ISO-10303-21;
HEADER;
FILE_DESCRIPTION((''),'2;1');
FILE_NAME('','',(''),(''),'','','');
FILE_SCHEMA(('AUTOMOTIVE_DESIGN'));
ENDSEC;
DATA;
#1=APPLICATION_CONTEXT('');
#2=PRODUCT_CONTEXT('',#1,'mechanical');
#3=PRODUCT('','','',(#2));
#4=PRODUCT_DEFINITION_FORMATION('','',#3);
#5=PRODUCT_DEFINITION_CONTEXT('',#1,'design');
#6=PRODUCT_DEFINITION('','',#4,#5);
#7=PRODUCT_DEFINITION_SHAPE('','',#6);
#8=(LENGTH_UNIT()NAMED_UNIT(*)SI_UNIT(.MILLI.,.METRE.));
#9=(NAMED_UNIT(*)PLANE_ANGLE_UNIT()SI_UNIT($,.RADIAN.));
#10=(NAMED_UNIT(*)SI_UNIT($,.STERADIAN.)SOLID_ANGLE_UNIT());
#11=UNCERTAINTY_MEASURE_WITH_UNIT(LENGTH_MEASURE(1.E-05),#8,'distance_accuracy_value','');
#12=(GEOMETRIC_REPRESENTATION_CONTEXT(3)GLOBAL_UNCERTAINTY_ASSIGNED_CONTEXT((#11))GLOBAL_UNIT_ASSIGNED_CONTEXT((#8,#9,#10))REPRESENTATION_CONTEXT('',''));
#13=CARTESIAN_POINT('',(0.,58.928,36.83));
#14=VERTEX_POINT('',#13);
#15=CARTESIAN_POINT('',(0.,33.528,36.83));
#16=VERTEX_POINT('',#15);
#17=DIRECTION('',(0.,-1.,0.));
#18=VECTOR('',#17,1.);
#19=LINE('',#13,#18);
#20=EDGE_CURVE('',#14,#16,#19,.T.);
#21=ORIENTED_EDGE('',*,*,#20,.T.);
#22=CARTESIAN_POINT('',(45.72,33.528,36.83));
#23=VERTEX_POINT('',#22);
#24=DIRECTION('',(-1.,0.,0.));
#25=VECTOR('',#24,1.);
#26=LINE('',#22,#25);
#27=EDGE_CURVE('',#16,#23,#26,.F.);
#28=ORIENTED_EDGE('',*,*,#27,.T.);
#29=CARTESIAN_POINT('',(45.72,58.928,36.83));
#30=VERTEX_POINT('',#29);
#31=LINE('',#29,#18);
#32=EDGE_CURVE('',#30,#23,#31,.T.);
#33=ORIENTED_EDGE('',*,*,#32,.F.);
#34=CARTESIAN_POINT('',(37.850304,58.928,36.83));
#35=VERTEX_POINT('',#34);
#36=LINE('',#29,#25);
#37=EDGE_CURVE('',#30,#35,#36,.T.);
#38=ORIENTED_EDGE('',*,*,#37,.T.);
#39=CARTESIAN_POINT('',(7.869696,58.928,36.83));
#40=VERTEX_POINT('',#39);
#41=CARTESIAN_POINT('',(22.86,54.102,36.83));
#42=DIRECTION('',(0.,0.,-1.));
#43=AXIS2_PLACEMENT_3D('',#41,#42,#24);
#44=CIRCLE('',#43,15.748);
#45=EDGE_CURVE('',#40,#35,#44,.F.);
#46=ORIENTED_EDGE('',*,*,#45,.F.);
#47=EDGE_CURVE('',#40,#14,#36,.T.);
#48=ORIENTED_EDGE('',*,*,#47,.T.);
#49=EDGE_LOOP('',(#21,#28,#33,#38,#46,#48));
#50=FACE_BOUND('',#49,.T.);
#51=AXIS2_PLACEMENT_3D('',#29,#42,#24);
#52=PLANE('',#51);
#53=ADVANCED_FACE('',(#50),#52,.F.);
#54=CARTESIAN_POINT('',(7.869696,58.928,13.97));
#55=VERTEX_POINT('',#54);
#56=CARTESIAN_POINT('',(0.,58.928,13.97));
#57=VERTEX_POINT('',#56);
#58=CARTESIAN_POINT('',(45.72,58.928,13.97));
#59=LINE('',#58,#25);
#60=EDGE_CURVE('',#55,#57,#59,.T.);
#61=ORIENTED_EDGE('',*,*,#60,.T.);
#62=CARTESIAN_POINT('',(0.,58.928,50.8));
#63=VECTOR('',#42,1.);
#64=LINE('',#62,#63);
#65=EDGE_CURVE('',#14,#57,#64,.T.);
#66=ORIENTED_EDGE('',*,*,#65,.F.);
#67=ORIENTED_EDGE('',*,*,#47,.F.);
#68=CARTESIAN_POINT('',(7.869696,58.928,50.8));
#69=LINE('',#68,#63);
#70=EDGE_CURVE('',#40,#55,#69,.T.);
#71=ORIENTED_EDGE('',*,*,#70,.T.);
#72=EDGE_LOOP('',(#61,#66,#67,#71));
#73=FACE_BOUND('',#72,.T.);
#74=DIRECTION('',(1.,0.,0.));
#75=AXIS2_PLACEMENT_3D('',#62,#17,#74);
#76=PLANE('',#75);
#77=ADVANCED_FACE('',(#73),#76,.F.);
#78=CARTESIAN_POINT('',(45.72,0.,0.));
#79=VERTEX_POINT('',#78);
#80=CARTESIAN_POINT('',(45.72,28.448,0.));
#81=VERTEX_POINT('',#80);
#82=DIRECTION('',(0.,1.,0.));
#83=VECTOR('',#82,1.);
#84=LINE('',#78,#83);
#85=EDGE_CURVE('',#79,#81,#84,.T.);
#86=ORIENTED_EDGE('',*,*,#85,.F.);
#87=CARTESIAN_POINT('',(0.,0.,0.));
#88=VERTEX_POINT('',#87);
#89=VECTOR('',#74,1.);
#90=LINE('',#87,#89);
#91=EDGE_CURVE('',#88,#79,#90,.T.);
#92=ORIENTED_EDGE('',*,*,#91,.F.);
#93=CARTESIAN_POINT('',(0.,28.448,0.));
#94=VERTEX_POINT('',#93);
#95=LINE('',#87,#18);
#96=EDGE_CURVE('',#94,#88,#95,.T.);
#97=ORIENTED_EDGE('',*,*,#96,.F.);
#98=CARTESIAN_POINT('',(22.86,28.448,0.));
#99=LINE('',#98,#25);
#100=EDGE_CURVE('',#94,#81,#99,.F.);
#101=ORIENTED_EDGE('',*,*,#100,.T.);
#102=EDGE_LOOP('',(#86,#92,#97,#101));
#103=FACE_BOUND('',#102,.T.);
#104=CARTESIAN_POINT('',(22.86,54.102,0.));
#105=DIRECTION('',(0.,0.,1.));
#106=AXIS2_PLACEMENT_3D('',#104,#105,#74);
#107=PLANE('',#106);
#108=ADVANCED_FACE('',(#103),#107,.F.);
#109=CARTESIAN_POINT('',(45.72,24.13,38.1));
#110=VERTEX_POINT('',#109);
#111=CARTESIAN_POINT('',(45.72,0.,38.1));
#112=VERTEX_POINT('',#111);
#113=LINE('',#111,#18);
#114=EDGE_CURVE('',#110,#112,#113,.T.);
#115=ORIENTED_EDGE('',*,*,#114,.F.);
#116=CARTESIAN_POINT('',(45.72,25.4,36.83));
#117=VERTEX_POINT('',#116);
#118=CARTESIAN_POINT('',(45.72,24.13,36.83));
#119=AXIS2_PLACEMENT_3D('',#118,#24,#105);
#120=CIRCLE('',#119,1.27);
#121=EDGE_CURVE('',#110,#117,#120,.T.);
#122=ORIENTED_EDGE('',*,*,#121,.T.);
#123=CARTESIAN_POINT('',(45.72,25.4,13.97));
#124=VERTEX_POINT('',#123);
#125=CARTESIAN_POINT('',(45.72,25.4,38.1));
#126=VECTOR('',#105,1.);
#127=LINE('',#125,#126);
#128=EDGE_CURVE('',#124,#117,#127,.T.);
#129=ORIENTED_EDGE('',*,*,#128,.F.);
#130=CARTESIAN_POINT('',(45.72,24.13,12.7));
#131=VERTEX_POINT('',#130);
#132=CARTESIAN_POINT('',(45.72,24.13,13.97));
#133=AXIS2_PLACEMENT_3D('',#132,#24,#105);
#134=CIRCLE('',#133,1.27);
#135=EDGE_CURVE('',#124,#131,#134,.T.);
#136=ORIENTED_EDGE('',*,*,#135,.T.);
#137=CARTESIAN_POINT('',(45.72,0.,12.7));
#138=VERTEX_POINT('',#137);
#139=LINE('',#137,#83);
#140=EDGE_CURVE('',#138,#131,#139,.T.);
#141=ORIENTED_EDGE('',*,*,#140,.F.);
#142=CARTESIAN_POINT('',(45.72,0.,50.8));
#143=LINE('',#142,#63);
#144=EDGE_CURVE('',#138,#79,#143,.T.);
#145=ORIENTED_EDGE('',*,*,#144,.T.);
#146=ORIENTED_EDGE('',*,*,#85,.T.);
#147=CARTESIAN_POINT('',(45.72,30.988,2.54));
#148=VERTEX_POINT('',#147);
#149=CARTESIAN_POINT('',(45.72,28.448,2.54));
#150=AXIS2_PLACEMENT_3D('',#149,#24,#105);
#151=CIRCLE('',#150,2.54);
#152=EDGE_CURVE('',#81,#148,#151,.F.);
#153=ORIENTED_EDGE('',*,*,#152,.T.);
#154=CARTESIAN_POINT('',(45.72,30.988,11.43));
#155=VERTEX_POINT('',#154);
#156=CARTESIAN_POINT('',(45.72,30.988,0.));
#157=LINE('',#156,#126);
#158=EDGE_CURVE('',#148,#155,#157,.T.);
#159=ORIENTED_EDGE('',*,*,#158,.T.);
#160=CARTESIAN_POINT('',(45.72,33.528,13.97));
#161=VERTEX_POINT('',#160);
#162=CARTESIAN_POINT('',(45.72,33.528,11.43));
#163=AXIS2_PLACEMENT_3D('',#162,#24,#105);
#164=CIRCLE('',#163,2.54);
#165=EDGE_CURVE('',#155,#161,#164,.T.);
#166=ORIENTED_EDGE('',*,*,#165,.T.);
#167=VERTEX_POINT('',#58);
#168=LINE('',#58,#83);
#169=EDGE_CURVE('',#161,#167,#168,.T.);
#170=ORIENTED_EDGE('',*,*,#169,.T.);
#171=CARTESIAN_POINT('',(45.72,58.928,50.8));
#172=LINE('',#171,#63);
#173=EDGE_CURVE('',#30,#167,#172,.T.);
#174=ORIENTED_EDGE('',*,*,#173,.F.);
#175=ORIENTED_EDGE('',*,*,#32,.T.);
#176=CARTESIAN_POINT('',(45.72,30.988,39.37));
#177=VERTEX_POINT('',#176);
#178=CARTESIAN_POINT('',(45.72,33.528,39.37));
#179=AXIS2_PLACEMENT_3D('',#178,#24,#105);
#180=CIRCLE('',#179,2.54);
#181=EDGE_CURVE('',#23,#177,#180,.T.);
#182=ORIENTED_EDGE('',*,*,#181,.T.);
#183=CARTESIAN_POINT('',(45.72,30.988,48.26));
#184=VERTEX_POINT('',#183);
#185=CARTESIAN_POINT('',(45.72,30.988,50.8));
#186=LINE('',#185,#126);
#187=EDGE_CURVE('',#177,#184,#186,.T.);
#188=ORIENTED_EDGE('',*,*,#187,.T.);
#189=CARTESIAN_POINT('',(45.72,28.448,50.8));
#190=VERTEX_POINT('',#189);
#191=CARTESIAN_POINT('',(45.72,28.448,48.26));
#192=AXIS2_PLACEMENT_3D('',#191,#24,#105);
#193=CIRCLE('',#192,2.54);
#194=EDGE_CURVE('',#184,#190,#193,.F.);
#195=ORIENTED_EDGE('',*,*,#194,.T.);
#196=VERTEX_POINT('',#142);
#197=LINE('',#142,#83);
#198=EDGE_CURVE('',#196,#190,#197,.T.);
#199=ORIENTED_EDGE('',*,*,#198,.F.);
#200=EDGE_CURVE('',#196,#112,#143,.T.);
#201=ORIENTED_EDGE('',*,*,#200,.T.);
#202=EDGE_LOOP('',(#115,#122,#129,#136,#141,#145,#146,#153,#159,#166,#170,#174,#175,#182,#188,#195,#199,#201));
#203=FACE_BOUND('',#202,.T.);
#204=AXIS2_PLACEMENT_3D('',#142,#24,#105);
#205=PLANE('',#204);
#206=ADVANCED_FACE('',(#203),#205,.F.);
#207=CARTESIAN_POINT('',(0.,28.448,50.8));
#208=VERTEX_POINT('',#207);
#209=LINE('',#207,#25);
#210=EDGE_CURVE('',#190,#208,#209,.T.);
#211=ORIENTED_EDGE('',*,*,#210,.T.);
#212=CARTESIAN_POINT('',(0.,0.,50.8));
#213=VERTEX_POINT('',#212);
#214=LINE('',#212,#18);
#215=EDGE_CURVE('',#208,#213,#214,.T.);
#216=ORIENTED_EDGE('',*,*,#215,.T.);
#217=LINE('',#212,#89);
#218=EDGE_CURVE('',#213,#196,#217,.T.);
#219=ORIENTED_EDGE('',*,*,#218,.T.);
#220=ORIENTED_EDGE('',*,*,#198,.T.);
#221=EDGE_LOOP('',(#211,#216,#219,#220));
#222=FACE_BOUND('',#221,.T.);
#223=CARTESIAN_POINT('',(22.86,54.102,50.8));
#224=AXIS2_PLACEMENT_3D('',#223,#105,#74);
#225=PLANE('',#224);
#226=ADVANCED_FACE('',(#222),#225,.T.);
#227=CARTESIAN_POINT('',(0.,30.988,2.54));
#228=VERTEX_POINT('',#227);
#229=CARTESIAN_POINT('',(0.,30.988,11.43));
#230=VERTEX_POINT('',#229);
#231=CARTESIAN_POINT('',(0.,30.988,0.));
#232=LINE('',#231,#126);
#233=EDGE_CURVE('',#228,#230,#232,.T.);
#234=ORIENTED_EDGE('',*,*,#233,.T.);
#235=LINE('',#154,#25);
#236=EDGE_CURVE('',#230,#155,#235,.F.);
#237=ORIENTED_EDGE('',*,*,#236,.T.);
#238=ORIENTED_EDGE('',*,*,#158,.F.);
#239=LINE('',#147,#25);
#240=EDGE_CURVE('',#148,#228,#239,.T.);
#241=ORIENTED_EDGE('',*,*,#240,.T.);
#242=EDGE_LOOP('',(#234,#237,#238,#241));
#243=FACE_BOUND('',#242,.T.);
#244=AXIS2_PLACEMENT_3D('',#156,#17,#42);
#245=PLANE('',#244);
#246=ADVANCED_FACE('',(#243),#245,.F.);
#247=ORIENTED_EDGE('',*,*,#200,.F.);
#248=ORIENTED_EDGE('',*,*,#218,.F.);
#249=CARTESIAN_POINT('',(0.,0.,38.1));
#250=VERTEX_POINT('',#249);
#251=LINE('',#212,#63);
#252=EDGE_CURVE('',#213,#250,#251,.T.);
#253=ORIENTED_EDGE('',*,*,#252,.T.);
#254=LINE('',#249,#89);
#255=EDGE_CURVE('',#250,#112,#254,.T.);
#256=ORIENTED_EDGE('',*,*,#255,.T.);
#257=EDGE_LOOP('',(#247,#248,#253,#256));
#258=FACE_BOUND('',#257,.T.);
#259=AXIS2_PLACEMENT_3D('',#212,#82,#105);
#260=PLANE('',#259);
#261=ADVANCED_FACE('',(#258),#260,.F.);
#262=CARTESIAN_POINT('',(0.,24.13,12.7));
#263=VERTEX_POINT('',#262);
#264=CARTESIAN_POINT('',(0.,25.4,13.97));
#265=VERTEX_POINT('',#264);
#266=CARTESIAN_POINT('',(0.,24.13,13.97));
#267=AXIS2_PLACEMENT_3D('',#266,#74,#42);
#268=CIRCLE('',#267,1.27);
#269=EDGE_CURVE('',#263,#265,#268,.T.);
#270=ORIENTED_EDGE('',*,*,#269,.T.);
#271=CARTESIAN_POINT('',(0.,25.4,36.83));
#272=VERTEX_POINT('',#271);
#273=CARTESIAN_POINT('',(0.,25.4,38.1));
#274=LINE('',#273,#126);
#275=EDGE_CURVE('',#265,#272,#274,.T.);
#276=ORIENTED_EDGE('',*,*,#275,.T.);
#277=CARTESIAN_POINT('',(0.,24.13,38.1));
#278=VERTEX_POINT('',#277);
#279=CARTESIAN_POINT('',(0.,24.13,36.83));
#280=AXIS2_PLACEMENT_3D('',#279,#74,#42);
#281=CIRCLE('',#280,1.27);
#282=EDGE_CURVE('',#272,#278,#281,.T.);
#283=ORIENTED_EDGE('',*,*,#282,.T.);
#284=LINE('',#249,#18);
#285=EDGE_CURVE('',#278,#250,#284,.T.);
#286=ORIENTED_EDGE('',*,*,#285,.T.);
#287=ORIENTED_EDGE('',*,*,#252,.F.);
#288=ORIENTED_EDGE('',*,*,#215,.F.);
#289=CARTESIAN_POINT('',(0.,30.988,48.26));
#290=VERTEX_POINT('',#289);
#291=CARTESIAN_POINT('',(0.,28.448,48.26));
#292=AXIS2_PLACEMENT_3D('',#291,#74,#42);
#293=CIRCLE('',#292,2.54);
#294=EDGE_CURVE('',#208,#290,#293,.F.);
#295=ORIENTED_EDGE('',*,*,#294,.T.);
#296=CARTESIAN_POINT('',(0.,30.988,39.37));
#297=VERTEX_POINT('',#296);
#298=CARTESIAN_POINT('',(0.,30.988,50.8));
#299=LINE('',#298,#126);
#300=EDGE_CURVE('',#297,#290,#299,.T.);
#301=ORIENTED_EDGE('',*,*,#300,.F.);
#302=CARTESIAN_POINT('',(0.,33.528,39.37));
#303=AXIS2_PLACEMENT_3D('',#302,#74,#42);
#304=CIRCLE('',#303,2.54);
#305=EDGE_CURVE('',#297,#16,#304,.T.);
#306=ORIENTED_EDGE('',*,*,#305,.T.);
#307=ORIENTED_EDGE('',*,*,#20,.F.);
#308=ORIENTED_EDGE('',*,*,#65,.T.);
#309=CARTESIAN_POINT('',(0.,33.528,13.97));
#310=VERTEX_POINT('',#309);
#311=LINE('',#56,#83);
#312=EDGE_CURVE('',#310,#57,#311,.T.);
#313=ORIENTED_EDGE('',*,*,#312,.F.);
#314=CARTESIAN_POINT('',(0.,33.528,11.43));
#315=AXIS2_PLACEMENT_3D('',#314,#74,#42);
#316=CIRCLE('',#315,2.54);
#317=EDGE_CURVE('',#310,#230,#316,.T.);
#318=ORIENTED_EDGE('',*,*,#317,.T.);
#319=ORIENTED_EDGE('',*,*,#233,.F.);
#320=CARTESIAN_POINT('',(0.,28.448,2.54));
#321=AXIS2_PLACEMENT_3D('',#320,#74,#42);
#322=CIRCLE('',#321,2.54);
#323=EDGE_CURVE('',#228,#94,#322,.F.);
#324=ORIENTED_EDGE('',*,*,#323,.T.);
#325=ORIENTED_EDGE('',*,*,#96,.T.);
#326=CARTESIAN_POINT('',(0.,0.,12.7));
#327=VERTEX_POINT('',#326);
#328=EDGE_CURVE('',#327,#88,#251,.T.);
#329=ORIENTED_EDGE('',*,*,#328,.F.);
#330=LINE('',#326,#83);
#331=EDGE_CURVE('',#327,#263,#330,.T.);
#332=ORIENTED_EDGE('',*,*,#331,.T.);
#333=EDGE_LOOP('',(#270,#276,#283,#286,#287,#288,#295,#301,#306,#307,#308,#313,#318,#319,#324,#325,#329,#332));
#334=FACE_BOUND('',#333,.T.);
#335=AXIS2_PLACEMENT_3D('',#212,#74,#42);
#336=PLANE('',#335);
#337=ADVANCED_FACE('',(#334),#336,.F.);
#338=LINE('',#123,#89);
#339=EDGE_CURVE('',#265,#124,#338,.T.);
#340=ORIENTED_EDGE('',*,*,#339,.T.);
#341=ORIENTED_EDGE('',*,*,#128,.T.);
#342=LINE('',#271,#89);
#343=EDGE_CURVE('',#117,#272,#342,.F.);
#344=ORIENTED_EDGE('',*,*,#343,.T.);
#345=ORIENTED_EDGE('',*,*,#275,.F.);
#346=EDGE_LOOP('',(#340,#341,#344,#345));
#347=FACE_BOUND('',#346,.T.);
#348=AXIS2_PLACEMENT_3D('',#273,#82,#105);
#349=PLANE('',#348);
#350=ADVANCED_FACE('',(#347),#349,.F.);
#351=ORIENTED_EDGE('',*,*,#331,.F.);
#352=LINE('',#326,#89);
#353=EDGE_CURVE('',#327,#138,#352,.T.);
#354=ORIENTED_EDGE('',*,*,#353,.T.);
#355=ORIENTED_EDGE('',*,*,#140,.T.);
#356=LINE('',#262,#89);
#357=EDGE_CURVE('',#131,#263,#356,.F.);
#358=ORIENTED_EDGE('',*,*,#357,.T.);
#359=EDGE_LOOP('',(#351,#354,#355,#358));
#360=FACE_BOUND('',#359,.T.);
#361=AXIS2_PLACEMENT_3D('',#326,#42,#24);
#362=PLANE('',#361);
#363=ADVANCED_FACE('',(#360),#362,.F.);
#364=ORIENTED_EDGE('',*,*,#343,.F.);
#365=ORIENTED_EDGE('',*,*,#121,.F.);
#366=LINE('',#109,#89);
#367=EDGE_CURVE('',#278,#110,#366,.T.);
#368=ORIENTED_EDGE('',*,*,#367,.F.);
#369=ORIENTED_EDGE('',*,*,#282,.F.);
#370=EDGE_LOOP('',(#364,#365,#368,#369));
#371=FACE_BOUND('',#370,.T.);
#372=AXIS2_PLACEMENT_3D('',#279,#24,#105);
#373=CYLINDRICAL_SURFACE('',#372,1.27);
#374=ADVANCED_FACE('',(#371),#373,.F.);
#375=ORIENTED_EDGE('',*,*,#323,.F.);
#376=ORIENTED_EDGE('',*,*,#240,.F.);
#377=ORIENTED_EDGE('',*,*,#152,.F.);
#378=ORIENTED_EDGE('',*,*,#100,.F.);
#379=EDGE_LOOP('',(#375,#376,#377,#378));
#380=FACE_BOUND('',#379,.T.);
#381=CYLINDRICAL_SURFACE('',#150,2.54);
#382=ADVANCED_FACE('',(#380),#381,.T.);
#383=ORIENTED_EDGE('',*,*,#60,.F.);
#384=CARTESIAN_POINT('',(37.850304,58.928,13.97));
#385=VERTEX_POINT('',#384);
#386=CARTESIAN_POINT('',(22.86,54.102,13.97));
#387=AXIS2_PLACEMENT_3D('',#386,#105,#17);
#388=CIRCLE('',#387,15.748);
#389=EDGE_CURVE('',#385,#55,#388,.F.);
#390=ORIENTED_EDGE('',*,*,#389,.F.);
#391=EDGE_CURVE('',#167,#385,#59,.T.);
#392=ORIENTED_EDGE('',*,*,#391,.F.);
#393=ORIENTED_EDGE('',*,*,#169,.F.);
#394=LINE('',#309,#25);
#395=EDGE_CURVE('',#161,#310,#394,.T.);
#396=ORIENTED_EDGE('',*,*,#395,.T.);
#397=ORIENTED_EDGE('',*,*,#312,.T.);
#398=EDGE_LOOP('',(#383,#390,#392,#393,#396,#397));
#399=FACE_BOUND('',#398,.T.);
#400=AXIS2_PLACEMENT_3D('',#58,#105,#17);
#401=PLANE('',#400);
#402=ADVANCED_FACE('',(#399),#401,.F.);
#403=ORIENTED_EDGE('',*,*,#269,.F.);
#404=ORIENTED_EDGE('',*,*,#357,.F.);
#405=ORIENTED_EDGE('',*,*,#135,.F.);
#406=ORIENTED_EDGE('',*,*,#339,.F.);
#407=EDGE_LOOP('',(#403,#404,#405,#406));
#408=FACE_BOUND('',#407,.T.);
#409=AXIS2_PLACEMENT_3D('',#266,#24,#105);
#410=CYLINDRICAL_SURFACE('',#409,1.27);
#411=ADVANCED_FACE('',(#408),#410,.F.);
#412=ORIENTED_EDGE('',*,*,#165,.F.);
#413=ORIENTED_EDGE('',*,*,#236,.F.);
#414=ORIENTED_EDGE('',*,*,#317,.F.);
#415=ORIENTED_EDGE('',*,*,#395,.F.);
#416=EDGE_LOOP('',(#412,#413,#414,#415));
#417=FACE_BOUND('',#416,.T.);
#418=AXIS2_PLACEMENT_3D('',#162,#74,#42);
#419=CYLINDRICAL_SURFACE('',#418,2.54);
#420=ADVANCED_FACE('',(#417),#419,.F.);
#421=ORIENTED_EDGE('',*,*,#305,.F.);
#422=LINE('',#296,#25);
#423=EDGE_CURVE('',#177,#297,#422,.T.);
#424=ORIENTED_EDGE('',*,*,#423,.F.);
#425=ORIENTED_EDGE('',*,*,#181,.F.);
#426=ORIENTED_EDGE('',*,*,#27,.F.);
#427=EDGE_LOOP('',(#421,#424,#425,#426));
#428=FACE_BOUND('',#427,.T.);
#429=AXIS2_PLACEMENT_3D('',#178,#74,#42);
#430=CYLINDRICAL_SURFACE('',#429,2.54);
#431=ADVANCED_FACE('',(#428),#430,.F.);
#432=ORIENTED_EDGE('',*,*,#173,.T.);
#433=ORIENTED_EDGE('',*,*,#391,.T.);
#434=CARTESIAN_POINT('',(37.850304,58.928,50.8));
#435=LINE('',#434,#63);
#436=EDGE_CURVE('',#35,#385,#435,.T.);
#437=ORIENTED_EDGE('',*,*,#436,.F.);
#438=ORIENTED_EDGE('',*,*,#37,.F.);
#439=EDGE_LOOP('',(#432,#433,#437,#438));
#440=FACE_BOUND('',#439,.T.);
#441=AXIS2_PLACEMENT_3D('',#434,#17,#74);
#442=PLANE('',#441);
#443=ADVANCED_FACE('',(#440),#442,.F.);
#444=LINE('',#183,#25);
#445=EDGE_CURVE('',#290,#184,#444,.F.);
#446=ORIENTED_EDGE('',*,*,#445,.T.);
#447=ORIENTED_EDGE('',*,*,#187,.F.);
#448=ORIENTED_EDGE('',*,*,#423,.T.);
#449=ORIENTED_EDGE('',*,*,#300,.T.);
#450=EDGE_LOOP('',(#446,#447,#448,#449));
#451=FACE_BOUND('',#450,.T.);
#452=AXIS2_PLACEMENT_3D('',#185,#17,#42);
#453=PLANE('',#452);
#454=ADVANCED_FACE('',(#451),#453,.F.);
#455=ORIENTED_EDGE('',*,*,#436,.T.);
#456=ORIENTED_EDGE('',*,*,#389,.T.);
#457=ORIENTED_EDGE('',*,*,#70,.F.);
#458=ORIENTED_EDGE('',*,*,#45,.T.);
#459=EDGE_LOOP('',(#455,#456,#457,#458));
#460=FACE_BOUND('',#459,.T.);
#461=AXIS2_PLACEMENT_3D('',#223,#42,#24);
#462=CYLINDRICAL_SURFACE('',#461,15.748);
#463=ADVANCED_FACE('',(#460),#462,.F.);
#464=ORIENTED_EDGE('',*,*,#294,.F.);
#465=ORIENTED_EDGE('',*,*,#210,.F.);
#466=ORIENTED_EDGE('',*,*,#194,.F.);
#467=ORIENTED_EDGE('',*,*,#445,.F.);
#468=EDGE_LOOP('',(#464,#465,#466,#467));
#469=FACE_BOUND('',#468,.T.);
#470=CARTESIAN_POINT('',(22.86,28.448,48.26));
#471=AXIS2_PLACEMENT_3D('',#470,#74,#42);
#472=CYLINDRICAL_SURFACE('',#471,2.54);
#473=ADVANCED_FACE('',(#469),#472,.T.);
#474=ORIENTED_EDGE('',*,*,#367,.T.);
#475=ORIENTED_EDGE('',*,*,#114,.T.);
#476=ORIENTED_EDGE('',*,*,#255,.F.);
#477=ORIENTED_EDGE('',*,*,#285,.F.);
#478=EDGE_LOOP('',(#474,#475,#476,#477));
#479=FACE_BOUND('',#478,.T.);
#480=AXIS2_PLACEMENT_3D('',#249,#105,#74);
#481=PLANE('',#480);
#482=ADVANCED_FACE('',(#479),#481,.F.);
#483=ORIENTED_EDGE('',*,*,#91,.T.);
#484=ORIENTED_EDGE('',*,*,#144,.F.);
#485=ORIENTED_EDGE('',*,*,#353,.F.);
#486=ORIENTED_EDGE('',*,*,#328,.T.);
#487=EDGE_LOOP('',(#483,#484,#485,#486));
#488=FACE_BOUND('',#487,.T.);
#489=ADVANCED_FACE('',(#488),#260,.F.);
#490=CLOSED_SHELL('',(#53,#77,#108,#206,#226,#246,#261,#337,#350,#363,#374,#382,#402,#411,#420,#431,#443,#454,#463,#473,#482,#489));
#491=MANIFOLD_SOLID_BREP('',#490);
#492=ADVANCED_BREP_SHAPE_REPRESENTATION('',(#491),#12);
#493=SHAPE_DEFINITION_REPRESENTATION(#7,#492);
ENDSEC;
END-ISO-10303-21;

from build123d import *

# Parameters (mm, degrees)
BOSS_EXTRUDE1_DEPTH = 50.8
SKETCH2_W           = 25.4
SKETCH2_H           = 25.4
CUT_EXTRUDE1_DEPTH  = 91.241163468
FILLET1_R           = 1.27
SKETCH4_W           = 13.97
SKETCH4_H           = 27.94
CUT_EXTRUDE2_DEPTH  = 91.241163468
FILLET2_R           = 2.54


with BuildPart() as part:
    # Sketch1 → Boss-Extrude1 (new body)
    with BuildSketch(Plane.XY):
        with BuildLine():
            Line((37.850304467, 58.928), (45.72, 58.928))
            Line((45.72, 58.928), (45.72, 0))
            Line((45.72, 0), (0, 0))
            Line((0, 0), (0, 58.928))
            Line((0, 58.928), (7.869695533, 58.928))
            ThreePointArc((7.869695533, 58.928), (22.86, 38.354), (37.850304467, 58.928))
        make_face()
    extrude(amount=BOSS_EXTRUDE1_DEPTH)

    # Sketch2 → Cut-Extrude1 (cut, through all)
    with BuildSketch(Plane(origin=(45.72, 0, 0), x_dir=(0, 0, -1), z_dir=(1, 0, 0))):
        with Locations((-25.4, 12.7)):
            Rectangle(SKETCH2_W, SKETCH2_H)
    extrude(amount=-CUT_EXTRUDE1_DEPTH, mode=Mode.SUBTRACT)

    # Fillet1
    fillet1_edges = [part.edges().sort_by_distance(p)[0] for p in [
        (22.86, 25.4, 38.1),
        (22.86, 25.4, 12.7),
    ]]
    fillet(fillet1_edges, radius=FILLET1_R)

    # Sketch4 → Cut-Extrude2 (cut, through all)
    with BuildSketch(Plane.ZY):
        with Locations((43.815, 44.958)):
            Rectangle(SKETCH4_W, SKETCH4_H)
        with Locations((6.985, 44.958)):
            Rectangle(SKETCH4_W, SKETCH4_H)
    extrude(amount=-CUT_EXTRUDE2_DEPTH, mode=Mode.SUBTRACT)

    # Fillet2
    fillet2_edges = [part.edges().sort_by_distance(p)[0] for p in [
        (22.86, 30.988, 36.83),
        (22.86, 30.988, 50.8),
        (22.86, 30.988, 0),
        (22.86, 30.988, 13.97),
    ]]
    fillet(fillet2_edges, radius=FILLET2_R)


solid = part.part
